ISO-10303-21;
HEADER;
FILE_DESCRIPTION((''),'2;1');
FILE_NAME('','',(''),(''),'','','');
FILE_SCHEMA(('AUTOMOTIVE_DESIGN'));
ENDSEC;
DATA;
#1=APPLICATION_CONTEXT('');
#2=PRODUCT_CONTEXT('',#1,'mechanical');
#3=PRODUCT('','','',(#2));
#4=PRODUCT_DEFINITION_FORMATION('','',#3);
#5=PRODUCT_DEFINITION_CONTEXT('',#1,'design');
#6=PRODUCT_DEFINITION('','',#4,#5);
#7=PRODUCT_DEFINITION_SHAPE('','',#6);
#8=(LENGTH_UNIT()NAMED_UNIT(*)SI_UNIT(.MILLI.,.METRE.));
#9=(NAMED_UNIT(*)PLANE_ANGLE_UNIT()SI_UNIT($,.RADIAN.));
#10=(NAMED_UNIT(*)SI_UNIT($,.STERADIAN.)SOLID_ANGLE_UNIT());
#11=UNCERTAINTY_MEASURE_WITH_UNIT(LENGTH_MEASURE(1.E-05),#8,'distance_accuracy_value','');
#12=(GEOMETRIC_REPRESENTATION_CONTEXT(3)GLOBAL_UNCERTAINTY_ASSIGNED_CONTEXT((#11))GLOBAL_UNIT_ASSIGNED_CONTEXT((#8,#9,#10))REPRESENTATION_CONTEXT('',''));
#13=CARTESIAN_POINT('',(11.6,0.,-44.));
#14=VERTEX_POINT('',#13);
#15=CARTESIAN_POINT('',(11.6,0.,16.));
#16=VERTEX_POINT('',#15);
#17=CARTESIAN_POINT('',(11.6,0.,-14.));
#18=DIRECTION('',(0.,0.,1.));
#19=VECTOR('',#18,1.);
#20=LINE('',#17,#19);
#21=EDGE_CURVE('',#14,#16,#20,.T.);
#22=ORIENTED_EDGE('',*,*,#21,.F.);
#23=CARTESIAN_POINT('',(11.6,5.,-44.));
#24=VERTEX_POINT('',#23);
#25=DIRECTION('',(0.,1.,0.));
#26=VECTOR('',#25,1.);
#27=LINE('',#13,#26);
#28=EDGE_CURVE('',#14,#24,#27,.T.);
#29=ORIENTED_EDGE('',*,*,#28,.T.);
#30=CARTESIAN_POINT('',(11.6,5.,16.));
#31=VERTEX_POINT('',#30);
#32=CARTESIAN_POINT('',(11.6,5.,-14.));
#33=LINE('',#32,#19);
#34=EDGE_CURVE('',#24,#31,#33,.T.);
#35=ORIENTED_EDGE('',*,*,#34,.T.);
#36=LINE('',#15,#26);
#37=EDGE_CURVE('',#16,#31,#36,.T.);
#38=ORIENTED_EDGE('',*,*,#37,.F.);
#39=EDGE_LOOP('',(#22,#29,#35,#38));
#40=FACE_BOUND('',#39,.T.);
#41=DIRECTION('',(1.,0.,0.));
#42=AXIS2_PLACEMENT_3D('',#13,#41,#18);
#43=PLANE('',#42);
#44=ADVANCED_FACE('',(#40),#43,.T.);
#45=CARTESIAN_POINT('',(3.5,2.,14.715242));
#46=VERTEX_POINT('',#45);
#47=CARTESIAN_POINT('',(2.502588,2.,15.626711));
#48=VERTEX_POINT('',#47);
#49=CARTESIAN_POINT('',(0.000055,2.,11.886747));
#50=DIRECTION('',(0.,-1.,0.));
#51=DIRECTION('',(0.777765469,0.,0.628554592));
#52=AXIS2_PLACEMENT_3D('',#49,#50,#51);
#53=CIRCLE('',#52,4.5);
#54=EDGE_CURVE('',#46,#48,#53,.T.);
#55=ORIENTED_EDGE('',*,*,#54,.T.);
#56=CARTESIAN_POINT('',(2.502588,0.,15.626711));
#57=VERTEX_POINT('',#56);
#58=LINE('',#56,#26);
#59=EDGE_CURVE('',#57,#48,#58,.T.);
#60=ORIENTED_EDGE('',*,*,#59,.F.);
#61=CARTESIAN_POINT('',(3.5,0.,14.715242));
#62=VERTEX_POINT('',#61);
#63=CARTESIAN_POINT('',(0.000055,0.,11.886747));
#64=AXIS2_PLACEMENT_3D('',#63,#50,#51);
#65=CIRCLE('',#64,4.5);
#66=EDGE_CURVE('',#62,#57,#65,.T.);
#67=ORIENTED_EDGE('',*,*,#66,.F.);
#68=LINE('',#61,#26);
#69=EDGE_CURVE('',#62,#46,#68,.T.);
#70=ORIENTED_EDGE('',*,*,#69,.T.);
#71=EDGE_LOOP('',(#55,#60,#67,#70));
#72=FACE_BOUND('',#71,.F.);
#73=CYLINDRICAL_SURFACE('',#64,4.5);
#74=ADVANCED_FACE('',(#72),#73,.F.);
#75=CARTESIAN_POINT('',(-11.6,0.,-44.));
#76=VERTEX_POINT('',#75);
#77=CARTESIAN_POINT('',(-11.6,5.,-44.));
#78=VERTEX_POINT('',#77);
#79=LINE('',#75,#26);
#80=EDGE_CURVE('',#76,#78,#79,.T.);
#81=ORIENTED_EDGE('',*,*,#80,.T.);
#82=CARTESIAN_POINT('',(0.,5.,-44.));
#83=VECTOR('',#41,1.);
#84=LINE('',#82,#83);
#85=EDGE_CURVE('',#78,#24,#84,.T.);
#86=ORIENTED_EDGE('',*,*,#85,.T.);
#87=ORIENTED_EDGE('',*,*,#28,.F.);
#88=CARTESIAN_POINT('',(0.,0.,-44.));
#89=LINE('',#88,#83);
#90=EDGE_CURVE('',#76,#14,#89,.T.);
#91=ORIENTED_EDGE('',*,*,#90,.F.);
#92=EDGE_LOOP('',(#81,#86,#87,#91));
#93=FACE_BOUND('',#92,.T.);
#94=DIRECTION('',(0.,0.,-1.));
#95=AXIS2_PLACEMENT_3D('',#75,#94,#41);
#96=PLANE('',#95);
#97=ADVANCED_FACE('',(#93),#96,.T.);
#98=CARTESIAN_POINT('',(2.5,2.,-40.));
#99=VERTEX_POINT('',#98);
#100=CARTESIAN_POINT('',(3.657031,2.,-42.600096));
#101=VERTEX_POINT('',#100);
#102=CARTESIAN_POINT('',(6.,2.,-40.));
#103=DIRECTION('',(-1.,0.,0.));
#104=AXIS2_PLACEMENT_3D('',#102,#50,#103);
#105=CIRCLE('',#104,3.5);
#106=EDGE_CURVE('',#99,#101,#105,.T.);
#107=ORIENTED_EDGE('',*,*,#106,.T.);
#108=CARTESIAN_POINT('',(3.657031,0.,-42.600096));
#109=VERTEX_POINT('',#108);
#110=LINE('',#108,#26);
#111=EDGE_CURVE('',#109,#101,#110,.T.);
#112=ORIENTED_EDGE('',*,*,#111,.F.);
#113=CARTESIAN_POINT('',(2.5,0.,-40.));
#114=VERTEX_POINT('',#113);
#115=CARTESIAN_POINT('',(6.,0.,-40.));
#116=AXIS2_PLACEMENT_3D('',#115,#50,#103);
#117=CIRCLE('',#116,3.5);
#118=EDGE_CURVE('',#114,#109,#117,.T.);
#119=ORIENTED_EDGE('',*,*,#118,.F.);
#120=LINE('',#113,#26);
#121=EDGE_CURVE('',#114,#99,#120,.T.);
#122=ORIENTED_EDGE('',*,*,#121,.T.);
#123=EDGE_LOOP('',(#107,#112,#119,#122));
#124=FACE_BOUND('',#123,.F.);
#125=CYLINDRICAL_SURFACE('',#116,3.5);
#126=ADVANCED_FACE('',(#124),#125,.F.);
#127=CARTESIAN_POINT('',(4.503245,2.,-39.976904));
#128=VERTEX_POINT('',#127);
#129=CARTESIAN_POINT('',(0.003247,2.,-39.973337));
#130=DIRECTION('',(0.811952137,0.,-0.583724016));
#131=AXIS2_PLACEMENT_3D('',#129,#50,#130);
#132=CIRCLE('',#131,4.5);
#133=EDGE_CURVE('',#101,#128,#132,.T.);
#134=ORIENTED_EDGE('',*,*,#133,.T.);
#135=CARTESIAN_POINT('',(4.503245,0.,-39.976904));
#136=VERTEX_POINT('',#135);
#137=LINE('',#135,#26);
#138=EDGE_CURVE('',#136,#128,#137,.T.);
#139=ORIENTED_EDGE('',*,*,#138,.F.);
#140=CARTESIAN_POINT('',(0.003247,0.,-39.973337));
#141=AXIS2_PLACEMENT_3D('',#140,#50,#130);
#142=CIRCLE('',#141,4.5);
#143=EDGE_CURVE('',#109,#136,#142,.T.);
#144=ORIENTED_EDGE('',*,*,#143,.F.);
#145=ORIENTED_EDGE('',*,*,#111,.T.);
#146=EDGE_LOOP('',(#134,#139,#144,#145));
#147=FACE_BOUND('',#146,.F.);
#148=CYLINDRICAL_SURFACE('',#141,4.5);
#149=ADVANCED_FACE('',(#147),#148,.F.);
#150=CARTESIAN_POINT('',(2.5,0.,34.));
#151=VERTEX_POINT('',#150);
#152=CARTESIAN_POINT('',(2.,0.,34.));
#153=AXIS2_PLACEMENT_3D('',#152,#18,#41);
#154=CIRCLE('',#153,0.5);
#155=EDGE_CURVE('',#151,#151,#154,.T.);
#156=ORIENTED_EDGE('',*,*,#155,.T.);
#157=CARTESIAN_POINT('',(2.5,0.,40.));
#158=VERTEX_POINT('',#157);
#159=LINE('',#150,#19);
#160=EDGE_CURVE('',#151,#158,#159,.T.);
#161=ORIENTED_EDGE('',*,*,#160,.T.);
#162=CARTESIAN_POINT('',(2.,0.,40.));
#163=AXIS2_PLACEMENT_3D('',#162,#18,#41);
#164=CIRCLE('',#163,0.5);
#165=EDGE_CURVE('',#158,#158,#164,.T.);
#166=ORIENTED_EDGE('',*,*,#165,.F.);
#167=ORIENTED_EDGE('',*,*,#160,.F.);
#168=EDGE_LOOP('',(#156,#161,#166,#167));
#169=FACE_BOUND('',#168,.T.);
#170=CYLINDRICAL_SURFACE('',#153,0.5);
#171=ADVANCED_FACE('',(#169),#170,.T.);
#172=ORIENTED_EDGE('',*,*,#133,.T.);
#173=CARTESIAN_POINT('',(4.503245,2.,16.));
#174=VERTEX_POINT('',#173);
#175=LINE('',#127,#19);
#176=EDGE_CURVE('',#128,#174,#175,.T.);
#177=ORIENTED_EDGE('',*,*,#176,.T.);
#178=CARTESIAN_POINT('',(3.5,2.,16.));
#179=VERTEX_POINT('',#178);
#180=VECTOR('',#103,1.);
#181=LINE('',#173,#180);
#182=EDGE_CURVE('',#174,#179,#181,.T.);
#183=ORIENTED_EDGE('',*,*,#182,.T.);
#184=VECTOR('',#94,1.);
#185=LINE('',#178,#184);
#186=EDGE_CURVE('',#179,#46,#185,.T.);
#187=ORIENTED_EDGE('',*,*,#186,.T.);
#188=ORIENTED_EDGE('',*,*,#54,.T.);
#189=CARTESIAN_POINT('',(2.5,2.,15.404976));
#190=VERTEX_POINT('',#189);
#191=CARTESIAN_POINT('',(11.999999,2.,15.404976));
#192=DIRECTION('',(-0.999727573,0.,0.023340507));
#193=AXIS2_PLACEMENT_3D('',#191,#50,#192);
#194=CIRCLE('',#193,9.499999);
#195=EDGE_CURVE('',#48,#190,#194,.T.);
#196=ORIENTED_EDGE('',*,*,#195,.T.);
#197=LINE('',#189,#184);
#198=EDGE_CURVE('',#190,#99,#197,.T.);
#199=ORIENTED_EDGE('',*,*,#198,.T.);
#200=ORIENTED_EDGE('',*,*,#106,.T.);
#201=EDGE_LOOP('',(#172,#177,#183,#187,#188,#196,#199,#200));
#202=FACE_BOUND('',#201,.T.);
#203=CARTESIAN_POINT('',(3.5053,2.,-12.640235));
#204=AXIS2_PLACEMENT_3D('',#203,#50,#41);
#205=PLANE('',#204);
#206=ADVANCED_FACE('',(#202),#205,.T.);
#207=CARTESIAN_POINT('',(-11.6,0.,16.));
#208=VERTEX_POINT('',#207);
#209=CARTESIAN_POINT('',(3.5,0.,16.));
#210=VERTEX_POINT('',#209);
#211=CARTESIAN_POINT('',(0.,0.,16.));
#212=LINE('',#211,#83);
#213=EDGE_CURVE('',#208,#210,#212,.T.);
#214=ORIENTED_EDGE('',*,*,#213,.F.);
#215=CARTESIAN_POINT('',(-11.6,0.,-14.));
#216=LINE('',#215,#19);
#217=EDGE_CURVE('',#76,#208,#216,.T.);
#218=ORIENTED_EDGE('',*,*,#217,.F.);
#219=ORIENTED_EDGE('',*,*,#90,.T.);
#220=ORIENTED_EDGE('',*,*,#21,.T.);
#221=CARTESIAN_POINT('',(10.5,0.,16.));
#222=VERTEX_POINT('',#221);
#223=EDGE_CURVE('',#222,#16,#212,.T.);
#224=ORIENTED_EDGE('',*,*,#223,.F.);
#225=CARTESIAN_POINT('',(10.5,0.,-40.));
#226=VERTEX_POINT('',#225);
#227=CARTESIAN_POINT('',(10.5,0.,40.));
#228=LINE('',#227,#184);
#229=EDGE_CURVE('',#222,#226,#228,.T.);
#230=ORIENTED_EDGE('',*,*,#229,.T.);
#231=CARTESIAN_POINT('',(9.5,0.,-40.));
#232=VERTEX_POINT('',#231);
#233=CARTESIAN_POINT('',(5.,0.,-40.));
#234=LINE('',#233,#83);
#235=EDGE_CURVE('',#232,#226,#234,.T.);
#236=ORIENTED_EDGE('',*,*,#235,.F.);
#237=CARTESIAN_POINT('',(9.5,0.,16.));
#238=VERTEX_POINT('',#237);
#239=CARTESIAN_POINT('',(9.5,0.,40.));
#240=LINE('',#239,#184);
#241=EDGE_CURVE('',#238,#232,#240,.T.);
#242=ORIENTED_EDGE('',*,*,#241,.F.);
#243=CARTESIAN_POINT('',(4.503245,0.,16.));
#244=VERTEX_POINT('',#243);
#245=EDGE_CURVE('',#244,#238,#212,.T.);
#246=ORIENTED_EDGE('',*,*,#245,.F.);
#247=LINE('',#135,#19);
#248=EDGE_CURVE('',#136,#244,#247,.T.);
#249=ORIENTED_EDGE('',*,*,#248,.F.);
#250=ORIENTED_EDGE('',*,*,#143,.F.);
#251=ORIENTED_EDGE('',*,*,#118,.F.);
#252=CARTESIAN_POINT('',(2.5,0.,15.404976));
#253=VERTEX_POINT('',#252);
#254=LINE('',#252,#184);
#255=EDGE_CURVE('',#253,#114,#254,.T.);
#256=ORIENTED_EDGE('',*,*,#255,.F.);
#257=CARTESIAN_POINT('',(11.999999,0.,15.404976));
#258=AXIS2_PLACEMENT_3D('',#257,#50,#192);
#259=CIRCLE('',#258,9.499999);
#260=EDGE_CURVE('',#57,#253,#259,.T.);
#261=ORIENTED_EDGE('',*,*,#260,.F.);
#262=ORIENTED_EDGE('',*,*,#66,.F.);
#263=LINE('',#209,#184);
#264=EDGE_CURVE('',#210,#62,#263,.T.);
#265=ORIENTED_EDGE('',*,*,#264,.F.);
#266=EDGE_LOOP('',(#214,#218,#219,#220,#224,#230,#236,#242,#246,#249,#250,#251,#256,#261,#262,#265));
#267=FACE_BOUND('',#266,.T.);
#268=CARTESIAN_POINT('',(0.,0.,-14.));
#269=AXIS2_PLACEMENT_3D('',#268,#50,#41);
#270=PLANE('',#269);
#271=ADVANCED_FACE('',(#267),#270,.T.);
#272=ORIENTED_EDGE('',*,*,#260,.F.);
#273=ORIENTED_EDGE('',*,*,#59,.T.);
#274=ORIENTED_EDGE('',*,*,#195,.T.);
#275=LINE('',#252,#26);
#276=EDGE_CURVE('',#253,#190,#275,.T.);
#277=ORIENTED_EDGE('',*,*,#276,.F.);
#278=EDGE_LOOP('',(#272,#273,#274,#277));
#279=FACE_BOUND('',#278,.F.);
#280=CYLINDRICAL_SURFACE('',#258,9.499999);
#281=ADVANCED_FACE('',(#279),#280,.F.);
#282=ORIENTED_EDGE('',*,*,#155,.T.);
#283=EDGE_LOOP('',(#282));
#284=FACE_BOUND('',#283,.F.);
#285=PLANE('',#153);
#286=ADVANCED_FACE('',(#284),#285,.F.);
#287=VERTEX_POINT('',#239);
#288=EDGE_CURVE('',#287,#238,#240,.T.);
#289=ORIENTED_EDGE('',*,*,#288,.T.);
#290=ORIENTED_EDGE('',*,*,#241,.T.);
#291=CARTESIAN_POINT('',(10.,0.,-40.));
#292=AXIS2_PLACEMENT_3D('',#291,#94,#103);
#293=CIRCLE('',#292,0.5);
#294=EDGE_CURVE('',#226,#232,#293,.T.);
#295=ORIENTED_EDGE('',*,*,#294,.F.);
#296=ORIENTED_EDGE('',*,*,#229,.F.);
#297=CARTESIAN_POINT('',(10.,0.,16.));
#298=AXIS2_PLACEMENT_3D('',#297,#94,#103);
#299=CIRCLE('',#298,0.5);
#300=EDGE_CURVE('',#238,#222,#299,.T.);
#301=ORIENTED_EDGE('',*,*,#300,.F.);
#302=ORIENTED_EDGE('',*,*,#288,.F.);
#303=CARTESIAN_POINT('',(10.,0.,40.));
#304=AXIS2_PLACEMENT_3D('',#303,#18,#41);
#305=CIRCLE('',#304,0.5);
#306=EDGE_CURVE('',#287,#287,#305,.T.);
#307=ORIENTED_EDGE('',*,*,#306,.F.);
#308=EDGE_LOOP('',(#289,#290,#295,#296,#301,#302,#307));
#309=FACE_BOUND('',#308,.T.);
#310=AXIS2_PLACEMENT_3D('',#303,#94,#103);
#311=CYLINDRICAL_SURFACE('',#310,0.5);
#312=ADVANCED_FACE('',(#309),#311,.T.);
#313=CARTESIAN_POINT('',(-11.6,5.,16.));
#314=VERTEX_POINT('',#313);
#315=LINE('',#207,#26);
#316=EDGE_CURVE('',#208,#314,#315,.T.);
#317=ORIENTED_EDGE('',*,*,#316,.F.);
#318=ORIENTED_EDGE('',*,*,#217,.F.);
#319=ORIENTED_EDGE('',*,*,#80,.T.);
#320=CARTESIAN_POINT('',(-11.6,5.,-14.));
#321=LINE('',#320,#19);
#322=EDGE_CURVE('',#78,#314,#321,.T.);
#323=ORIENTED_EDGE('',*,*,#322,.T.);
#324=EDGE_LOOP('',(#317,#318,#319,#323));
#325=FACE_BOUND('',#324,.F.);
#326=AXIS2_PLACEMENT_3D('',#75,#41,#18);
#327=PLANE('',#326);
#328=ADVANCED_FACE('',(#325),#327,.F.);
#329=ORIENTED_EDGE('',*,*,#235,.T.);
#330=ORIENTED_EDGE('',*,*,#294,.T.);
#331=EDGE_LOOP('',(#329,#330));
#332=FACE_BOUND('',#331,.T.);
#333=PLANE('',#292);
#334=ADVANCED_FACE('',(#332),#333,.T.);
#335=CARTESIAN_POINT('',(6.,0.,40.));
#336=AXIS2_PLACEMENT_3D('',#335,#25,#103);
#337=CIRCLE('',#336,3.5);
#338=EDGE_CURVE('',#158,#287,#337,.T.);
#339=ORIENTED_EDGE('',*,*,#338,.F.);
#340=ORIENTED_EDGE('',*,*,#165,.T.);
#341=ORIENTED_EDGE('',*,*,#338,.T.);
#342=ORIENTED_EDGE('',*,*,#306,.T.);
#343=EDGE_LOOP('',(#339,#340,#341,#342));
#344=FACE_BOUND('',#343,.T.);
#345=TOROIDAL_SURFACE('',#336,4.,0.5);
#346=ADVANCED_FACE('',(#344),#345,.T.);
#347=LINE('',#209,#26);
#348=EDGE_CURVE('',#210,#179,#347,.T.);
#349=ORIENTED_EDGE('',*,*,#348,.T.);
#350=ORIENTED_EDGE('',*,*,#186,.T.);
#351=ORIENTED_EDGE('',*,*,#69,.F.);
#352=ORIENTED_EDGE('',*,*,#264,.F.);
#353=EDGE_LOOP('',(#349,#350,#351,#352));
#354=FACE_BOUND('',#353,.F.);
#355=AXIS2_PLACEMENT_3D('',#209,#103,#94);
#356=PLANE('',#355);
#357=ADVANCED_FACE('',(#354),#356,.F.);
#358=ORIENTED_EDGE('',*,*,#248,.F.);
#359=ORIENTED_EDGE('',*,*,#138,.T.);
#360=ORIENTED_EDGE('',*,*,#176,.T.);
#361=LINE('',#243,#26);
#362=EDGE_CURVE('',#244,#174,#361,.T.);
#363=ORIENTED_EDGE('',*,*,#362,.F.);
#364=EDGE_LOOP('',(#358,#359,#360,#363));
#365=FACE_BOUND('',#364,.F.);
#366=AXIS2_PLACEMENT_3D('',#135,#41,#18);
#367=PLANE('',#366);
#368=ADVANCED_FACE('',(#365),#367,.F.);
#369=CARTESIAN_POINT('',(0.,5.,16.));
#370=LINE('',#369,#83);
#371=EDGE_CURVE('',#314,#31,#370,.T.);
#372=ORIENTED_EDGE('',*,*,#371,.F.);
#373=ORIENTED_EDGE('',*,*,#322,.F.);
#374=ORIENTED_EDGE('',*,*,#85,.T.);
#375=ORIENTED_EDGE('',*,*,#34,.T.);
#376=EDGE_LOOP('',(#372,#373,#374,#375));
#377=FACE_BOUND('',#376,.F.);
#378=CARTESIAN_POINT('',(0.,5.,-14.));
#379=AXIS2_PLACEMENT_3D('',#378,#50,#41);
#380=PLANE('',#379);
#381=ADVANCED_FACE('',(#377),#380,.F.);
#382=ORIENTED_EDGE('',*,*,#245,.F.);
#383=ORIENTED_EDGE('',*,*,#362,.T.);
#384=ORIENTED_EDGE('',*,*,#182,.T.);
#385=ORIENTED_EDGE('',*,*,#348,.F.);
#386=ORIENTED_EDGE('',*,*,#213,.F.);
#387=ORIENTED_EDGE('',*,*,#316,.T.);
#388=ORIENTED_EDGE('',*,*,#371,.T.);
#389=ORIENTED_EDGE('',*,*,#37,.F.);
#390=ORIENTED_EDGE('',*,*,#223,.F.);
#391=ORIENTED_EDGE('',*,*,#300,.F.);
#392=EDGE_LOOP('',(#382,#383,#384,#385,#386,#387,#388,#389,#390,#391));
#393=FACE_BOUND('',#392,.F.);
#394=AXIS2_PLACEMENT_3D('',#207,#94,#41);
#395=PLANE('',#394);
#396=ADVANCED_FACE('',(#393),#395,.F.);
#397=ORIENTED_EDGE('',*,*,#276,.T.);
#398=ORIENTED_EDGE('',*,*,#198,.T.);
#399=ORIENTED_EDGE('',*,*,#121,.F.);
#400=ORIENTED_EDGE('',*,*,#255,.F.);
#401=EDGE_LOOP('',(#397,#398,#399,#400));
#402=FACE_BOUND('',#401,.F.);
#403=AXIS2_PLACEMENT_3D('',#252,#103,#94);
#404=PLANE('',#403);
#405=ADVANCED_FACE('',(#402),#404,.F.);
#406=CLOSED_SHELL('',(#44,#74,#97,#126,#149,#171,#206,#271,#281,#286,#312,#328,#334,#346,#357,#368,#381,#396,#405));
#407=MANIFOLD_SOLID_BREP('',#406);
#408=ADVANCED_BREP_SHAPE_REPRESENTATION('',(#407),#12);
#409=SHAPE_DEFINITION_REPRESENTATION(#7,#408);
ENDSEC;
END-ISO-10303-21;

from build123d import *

# Parameters (mm, degrees)
F1_W     = 23.2
F1_H     = 60
F2_DEPTH = 5
F5_DEPTH = 2
F7_R     = 0.5


with BuildPart() as f2:
    # F1 (on Front) → F2 (new body)
    with BuildSketch(Plane.XZ):
        with Locations((0, -14)):
            Rectangle(F1_W, F1_H)
    extrude(amount=-F2_DEPTH)

    # F4 (on face) → F5 (cut)
    with BuildSketch(Plane.XZ):
        with BuildLine():
            Line((4.5032451175, -39.9769037598), (4.5032451175, 12.0230962402))
            Line((4.5032451175, 12.0230962402), (4.5032451175, 16))
            Line((4.5032451175, 16), (3.5, 16))
            Line((3.5, 16), (3.5, 14.7152424996))
            ThreePointArc((3.5, 14.7152424996), (3.0356981489, 15.2086247741), (2.5025880537, 15.6267107751))
            ThreePointArc((2.5025880537, 15.6267107751), (2.5006470354, 15.5158509267), (2.5, 15.4049759751))
            Line((2.5, 15.4049759751), (2.5, -40))
            ThreePointArc((2.5, -40), (2.8023140413, -41.4229562572), (3.6570311485, -42.6000955676))
            ThreePointArc((3.6570311485, -42.6000955676), (4.2859243089, -41.3548841104), (4.5032451175, -39.9769037598))
        make_face()
    extrude(amount=-F5_DEPTH, mode=Mode.SUBTRACT)

    # F8: sweep along a path in F0
    with BuildLine(Plane.XZ) as f8_path:
        Line((2, 34), (2, 40))
        ThreePointArc((2, 40), (6, 44), (10, 40))
        Line((10, 40), (10, -40))
    # F7 (on plane+point) → F8 (sweep)
    with BuildSketch(Plane.XY.offset(34)):
        with Locations((2, 0)):
            Circle(F7_R)
    sweep(path=f8_path.line)


solid = f2.part
